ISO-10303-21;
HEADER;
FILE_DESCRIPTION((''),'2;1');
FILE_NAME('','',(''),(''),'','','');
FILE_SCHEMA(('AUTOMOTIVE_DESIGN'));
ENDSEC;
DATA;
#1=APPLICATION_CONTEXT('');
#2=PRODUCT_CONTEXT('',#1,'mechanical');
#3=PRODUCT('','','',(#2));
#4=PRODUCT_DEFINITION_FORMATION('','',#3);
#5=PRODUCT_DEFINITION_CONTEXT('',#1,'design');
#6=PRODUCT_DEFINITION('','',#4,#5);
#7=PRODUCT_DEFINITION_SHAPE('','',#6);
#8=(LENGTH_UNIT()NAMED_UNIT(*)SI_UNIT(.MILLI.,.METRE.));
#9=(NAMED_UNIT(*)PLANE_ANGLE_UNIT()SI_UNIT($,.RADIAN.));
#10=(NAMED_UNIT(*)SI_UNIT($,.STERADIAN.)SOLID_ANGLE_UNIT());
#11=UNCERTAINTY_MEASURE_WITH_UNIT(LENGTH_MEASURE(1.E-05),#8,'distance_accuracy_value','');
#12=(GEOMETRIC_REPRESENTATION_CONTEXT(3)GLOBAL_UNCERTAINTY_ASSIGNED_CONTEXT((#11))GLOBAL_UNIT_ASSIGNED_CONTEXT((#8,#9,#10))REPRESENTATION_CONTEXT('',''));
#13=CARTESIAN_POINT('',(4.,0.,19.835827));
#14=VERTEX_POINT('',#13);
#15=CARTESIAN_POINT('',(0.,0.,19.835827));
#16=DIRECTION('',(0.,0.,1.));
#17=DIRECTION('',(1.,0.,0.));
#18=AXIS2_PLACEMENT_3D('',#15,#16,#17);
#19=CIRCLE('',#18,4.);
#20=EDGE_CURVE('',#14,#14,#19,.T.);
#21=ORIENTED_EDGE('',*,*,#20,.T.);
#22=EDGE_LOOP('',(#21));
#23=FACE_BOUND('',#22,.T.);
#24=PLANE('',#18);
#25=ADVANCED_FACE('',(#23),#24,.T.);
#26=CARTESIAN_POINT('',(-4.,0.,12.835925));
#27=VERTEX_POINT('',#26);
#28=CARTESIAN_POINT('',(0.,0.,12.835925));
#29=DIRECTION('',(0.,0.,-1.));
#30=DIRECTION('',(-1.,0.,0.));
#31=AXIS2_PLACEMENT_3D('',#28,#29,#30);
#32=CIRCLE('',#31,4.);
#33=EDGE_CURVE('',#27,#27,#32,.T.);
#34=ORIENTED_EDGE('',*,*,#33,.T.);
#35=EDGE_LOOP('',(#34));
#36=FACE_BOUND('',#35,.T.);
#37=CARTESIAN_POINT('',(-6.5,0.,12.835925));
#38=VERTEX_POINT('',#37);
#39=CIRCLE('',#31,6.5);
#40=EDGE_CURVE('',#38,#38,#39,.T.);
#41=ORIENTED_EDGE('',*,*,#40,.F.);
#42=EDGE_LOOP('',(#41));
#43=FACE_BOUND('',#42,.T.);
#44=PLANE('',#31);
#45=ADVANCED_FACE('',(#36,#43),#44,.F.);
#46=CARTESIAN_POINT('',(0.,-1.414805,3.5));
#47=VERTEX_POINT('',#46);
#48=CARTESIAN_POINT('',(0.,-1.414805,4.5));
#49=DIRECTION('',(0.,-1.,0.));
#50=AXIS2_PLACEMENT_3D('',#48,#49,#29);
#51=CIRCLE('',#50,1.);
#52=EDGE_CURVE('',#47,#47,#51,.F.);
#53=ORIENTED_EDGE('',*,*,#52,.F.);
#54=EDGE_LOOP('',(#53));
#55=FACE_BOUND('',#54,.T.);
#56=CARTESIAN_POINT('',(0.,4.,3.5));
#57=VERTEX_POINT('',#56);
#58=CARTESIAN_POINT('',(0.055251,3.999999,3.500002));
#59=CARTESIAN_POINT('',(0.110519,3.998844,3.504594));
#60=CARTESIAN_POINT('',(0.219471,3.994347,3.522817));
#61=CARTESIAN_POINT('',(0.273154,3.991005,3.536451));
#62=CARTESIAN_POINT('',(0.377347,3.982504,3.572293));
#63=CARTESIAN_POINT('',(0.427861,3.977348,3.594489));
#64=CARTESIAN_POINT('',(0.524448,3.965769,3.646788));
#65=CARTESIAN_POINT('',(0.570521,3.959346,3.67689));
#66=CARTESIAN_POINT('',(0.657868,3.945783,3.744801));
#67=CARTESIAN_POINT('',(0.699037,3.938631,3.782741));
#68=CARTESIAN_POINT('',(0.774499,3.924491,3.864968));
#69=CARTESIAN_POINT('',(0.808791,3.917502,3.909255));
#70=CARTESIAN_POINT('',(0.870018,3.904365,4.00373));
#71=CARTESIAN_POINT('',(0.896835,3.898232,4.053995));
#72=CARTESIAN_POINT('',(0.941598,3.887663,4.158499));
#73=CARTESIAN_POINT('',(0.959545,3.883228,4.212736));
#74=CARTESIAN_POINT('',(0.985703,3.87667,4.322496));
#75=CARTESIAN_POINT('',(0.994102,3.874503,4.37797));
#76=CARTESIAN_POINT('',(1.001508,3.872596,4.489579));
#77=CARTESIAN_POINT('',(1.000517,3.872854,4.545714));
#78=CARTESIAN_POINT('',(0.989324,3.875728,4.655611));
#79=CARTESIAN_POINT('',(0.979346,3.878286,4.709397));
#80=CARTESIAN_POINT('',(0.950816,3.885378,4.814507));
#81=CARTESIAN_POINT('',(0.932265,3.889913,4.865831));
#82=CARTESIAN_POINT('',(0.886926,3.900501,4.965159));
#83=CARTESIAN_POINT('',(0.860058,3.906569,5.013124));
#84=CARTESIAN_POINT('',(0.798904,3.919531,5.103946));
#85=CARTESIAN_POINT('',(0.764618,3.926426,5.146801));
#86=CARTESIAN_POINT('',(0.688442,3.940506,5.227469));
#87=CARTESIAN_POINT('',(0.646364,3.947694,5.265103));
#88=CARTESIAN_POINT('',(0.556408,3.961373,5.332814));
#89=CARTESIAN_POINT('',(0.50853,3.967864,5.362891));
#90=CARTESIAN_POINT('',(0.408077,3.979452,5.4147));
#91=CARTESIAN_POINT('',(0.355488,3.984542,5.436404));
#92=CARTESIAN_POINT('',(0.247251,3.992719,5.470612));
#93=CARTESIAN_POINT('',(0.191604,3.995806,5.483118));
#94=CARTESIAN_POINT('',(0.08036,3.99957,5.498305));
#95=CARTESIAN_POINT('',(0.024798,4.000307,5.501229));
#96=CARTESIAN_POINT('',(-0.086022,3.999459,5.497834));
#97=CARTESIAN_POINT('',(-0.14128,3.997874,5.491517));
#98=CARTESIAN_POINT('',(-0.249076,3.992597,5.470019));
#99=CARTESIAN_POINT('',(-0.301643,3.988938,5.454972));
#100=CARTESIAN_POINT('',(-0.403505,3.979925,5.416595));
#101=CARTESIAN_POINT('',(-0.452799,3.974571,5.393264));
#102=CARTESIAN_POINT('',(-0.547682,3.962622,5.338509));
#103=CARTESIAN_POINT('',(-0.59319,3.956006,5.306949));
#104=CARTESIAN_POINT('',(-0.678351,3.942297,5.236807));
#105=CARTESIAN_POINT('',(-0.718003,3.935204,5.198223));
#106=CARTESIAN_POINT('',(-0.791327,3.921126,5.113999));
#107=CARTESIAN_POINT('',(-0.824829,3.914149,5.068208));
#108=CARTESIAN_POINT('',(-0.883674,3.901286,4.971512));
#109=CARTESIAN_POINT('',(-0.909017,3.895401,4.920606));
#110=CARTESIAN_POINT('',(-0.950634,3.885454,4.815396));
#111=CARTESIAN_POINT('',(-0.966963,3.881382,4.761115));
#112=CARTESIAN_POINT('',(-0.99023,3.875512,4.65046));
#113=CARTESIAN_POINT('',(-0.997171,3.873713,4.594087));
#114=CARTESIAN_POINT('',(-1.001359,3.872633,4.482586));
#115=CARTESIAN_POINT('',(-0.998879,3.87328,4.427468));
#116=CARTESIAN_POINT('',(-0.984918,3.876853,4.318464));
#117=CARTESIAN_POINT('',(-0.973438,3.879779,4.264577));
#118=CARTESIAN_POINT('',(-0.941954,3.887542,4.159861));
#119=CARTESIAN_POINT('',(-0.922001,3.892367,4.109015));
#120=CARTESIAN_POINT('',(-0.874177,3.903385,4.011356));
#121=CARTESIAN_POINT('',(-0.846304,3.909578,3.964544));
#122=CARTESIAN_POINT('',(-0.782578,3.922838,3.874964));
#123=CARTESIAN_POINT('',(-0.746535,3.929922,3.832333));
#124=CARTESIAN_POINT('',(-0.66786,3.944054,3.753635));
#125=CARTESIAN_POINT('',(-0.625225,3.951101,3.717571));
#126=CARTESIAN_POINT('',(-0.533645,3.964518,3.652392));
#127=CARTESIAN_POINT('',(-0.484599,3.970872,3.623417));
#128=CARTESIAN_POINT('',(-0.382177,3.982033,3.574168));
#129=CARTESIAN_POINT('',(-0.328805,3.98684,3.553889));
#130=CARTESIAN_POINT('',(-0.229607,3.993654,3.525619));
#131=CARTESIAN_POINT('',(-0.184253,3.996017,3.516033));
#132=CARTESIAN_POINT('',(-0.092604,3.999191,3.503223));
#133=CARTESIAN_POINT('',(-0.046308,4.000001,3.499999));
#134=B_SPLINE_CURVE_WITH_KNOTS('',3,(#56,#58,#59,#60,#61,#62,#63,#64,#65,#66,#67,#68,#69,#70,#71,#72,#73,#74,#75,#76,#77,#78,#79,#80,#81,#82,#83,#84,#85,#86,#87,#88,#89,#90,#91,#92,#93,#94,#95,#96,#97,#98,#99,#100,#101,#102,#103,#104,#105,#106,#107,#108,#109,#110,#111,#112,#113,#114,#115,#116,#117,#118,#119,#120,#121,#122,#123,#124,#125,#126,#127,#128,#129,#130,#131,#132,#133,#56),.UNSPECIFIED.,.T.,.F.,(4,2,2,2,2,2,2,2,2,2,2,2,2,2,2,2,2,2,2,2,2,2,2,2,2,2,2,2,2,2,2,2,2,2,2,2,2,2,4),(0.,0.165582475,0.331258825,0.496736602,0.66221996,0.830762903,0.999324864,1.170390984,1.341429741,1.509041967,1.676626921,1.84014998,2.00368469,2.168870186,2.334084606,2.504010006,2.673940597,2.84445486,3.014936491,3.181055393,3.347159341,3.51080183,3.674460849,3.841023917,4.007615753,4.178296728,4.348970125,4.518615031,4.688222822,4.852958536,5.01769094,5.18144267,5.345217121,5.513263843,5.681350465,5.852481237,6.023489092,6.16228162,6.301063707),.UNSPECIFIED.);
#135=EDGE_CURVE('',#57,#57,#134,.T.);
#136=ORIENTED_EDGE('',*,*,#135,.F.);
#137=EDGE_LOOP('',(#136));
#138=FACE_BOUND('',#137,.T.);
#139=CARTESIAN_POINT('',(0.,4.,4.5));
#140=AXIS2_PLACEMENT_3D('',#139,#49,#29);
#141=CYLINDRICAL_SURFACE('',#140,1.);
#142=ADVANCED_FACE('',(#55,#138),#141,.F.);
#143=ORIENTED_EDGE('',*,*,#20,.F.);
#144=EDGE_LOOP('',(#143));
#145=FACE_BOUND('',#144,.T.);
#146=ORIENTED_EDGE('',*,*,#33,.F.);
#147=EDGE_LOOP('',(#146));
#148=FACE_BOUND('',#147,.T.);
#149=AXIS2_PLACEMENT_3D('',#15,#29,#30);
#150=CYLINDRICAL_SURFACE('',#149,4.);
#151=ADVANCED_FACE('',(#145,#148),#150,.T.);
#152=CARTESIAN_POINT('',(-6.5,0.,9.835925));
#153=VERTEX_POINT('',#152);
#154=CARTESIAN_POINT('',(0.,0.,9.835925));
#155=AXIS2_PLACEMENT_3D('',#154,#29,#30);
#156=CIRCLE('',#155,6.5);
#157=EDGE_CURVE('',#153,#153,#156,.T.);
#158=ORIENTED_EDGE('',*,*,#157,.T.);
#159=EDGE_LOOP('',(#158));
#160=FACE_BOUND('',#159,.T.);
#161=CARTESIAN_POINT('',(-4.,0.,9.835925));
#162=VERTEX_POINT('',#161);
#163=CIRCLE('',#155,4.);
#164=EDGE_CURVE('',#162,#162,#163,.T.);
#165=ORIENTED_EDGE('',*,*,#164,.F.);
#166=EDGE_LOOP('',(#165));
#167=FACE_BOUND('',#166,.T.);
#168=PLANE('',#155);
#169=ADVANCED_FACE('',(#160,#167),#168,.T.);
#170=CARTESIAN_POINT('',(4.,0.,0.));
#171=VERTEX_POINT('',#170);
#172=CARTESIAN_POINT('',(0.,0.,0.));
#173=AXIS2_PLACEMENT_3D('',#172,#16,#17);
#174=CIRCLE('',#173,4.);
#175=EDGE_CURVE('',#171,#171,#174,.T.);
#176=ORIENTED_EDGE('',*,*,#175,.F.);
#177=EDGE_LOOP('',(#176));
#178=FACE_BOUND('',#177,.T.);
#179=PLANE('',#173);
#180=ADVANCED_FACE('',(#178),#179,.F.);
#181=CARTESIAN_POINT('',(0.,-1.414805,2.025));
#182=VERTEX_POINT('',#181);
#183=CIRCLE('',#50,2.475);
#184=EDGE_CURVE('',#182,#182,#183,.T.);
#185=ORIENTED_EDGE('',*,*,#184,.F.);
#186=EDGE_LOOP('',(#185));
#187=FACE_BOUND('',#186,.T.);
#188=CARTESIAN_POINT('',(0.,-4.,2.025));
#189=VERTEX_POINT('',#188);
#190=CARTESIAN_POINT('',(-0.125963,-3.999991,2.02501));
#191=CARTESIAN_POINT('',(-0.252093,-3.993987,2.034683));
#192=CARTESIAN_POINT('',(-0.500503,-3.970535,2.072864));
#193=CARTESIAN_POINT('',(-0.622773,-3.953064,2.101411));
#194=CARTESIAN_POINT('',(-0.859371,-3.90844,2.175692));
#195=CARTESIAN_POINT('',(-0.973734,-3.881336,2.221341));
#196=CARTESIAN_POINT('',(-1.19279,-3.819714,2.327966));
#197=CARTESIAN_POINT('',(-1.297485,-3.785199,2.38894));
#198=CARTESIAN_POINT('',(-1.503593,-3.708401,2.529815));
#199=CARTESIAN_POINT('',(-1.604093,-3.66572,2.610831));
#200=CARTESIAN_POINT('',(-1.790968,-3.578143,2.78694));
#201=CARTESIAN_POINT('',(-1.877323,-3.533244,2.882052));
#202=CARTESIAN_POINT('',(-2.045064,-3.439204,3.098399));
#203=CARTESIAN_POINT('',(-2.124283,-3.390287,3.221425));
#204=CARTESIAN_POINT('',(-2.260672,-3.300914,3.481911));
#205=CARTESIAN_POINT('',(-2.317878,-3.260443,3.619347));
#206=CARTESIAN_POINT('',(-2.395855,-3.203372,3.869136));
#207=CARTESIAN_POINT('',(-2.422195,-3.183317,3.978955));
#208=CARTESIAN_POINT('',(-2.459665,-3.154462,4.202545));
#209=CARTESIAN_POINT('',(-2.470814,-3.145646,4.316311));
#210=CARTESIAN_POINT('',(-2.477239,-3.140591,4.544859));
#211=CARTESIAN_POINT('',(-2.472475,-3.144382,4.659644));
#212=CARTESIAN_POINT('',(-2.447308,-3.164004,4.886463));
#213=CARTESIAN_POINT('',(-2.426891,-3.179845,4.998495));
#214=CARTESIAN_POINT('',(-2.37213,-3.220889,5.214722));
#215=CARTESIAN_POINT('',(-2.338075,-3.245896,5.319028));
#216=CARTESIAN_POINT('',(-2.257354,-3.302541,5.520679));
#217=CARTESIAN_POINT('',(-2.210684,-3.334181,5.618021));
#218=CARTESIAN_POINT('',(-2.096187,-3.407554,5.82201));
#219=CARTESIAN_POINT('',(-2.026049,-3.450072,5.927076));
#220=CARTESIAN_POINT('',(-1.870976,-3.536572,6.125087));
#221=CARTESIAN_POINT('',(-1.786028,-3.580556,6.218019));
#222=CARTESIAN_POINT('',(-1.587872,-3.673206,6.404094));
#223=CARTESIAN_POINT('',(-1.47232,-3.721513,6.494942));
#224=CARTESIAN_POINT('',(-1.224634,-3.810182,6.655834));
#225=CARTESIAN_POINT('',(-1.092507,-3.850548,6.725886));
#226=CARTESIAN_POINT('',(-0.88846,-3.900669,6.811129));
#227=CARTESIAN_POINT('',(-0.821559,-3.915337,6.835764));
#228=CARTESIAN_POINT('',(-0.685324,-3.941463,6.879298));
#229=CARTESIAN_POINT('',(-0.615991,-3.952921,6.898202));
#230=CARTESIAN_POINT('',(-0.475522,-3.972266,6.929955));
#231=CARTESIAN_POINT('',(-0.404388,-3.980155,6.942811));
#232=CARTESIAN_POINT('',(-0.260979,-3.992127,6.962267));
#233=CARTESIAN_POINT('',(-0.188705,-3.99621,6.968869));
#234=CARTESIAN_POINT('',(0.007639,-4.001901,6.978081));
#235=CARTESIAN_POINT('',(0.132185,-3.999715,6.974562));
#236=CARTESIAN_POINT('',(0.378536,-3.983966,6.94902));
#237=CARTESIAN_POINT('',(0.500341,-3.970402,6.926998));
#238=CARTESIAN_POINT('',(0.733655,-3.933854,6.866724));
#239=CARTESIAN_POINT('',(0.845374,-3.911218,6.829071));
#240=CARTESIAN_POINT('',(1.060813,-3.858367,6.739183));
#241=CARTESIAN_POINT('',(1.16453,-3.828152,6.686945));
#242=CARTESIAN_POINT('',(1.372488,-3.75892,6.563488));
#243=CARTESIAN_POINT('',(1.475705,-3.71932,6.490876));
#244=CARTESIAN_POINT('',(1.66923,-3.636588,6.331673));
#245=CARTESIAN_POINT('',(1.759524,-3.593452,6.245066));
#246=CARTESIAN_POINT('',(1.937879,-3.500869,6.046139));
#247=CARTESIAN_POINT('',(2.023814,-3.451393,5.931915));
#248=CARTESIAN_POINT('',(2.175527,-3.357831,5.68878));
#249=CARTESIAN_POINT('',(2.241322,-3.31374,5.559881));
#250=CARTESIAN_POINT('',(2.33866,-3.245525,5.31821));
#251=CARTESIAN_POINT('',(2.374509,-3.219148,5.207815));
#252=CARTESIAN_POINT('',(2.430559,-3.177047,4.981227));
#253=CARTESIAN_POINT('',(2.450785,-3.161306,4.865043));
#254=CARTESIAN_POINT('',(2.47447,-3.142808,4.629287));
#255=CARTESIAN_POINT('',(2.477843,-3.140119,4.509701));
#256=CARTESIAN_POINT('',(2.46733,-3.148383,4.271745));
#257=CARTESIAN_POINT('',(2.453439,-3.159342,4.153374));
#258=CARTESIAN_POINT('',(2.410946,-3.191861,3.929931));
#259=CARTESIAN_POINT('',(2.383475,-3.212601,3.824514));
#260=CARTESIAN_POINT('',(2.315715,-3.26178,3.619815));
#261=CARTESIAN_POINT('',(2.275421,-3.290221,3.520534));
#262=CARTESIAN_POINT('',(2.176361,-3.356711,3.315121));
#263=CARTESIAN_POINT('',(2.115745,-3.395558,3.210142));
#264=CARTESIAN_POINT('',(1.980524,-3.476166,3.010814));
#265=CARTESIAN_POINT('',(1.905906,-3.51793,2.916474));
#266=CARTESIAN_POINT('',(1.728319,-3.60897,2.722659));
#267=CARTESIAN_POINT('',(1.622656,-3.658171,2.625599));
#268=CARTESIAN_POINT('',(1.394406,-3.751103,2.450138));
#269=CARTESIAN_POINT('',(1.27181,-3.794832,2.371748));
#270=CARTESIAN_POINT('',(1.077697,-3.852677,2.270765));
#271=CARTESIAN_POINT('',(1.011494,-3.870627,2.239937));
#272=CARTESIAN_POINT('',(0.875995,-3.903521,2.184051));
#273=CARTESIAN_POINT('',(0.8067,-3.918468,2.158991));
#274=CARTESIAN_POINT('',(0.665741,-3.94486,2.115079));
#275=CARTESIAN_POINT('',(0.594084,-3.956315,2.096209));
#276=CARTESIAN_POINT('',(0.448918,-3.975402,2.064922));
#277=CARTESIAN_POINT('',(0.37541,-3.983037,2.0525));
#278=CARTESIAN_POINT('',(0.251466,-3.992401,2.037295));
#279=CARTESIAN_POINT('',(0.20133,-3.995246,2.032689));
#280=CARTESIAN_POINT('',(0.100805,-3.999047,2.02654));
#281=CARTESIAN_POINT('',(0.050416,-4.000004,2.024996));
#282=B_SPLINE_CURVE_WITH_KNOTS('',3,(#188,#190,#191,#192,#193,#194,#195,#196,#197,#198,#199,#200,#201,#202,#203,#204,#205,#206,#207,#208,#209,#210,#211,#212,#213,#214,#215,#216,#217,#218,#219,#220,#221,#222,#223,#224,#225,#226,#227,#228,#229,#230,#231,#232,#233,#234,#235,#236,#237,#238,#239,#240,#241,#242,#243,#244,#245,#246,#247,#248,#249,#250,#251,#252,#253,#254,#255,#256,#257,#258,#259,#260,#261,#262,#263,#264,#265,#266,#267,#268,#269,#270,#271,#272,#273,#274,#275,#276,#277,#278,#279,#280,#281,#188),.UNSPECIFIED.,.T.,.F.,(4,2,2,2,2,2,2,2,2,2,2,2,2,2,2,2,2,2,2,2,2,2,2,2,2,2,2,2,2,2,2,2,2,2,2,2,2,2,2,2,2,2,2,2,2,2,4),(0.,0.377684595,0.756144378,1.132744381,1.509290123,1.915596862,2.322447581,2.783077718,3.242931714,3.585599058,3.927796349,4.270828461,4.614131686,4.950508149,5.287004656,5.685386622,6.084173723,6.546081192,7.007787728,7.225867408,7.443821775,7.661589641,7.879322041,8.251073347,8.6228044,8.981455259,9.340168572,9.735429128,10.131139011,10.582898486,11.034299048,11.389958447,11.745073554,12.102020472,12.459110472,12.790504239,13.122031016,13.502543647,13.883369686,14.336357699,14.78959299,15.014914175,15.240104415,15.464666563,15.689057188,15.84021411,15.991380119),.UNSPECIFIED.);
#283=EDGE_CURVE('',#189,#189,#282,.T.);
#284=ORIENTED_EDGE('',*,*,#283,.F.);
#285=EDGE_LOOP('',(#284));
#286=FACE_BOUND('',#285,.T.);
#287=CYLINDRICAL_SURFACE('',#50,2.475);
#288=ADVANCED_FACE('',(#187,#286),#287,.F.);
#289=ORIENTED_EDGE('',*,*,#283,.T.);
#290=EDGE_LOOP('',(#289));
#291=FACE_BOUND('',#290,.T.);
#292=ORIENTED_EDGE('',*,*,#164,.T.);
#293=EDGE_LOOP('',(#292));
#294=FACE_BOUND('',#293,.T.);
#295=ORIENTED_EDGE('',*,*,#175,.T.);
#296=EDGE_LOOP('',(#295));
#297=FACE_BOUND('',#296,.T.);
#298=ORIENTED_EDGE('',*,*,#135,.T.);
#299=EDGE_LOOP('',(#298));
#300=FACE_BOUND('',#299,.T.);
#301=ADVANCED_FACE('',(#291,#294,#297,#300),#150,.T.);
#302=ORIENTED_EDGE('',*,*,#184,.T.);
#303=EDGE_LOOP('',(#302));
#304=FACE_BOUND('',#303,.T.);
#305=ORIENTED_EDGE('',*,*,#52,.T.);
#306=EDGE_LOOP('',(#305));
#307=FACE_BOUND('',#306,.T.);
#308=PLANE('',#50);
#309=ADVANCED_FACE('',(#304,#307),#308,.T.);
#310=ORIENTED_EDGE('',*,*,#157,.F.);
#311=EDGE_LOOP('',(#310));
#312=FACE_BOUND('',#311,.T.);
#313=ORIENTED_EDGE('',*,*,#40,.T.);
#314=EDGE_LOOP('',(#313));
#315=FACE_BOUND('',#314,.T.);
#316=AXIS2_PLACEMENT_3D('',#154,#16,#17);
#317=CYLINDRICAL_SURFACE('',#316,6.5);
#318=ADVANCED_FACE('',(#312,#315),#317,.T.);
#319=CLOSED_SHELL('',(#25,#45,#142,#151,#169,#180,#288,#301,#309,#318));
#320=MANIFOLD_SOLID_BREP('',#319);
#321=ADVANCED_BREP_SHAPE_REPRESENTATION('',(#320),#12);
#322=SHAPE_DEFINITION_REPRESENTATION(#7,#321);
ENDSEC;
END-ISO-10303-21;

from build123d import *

# Parameters (mm, degrees)
SKETCH1_R           = 4
BOSS_EXTRUDE1_DEPTH = 19.83582727
SKETCH3_R           = 1
CUT_EXTRUDE1_DEPTH  = 22.759137012
SKETCH4_R           = 2.475
CUT_EXTRUDE2_DEPTH  = 2.58519454
BOSS_EXTRUDE2_START = 3
SKETCH5_R           = 6.5
SKETCH5_R_2         = 4
BOSS_EXTRUDE2_DEPTH = 3


with BuildPart() as part:
    # Sketch1 → Boss-Extrude1 (new body)
    with BuildSketch(Plane.XY):
        Circle(SKETCH1_R)
    extrude(amount=BOSS_EXTRUDE1_DEPTH)

    # Sketch3 → Cut-Extrude1 (cut, through all)
    with BuildSketch(Plane(origin=(0, -4, 0), x_dir=(-1, 0, 0), z_dir=(0, -1, 0))):
        with Locations(Location((0, -4.5, 0), (0, 0, 90))):
            Circle(SKETCH3_R)
    extrude(amount=-CUT_EXTRUDE1_DEPTH, mode=Mode.SUBTRACT)

    # Sketch4 → Cut-Extrude2 (cut)
    with BuildSketch(Plane(origin=(0, -4, 0), x_dir=(-1, 0, 0), z_dir=(0, -1, 0))):
        with Locations(Location((0, -4.5, 0), (0, 0, 90))):
            Circle(SKETCH4_R)
    extrude(amount=-CUT_EXTRUDE2_DEPTH, mode=Mode.SUBTRACT)

    # Sketch5 → Boss-Extrude2 (add)
    with BuildSketch(Plane(origin=(0, 0, 12.8359246), x_dir=(-1, 0, 0), z_dir=(0, 0, -1)).offset(BOSS_EXTRUDE2_START)):
        Circle(SKETCH5_R)
        Circle(SKETCH5_R_2, mode=Mode.SUBTRACT)
    extrude(amount=-BOSS_EXTRUDE2_DEPTH)


solid = part.part
